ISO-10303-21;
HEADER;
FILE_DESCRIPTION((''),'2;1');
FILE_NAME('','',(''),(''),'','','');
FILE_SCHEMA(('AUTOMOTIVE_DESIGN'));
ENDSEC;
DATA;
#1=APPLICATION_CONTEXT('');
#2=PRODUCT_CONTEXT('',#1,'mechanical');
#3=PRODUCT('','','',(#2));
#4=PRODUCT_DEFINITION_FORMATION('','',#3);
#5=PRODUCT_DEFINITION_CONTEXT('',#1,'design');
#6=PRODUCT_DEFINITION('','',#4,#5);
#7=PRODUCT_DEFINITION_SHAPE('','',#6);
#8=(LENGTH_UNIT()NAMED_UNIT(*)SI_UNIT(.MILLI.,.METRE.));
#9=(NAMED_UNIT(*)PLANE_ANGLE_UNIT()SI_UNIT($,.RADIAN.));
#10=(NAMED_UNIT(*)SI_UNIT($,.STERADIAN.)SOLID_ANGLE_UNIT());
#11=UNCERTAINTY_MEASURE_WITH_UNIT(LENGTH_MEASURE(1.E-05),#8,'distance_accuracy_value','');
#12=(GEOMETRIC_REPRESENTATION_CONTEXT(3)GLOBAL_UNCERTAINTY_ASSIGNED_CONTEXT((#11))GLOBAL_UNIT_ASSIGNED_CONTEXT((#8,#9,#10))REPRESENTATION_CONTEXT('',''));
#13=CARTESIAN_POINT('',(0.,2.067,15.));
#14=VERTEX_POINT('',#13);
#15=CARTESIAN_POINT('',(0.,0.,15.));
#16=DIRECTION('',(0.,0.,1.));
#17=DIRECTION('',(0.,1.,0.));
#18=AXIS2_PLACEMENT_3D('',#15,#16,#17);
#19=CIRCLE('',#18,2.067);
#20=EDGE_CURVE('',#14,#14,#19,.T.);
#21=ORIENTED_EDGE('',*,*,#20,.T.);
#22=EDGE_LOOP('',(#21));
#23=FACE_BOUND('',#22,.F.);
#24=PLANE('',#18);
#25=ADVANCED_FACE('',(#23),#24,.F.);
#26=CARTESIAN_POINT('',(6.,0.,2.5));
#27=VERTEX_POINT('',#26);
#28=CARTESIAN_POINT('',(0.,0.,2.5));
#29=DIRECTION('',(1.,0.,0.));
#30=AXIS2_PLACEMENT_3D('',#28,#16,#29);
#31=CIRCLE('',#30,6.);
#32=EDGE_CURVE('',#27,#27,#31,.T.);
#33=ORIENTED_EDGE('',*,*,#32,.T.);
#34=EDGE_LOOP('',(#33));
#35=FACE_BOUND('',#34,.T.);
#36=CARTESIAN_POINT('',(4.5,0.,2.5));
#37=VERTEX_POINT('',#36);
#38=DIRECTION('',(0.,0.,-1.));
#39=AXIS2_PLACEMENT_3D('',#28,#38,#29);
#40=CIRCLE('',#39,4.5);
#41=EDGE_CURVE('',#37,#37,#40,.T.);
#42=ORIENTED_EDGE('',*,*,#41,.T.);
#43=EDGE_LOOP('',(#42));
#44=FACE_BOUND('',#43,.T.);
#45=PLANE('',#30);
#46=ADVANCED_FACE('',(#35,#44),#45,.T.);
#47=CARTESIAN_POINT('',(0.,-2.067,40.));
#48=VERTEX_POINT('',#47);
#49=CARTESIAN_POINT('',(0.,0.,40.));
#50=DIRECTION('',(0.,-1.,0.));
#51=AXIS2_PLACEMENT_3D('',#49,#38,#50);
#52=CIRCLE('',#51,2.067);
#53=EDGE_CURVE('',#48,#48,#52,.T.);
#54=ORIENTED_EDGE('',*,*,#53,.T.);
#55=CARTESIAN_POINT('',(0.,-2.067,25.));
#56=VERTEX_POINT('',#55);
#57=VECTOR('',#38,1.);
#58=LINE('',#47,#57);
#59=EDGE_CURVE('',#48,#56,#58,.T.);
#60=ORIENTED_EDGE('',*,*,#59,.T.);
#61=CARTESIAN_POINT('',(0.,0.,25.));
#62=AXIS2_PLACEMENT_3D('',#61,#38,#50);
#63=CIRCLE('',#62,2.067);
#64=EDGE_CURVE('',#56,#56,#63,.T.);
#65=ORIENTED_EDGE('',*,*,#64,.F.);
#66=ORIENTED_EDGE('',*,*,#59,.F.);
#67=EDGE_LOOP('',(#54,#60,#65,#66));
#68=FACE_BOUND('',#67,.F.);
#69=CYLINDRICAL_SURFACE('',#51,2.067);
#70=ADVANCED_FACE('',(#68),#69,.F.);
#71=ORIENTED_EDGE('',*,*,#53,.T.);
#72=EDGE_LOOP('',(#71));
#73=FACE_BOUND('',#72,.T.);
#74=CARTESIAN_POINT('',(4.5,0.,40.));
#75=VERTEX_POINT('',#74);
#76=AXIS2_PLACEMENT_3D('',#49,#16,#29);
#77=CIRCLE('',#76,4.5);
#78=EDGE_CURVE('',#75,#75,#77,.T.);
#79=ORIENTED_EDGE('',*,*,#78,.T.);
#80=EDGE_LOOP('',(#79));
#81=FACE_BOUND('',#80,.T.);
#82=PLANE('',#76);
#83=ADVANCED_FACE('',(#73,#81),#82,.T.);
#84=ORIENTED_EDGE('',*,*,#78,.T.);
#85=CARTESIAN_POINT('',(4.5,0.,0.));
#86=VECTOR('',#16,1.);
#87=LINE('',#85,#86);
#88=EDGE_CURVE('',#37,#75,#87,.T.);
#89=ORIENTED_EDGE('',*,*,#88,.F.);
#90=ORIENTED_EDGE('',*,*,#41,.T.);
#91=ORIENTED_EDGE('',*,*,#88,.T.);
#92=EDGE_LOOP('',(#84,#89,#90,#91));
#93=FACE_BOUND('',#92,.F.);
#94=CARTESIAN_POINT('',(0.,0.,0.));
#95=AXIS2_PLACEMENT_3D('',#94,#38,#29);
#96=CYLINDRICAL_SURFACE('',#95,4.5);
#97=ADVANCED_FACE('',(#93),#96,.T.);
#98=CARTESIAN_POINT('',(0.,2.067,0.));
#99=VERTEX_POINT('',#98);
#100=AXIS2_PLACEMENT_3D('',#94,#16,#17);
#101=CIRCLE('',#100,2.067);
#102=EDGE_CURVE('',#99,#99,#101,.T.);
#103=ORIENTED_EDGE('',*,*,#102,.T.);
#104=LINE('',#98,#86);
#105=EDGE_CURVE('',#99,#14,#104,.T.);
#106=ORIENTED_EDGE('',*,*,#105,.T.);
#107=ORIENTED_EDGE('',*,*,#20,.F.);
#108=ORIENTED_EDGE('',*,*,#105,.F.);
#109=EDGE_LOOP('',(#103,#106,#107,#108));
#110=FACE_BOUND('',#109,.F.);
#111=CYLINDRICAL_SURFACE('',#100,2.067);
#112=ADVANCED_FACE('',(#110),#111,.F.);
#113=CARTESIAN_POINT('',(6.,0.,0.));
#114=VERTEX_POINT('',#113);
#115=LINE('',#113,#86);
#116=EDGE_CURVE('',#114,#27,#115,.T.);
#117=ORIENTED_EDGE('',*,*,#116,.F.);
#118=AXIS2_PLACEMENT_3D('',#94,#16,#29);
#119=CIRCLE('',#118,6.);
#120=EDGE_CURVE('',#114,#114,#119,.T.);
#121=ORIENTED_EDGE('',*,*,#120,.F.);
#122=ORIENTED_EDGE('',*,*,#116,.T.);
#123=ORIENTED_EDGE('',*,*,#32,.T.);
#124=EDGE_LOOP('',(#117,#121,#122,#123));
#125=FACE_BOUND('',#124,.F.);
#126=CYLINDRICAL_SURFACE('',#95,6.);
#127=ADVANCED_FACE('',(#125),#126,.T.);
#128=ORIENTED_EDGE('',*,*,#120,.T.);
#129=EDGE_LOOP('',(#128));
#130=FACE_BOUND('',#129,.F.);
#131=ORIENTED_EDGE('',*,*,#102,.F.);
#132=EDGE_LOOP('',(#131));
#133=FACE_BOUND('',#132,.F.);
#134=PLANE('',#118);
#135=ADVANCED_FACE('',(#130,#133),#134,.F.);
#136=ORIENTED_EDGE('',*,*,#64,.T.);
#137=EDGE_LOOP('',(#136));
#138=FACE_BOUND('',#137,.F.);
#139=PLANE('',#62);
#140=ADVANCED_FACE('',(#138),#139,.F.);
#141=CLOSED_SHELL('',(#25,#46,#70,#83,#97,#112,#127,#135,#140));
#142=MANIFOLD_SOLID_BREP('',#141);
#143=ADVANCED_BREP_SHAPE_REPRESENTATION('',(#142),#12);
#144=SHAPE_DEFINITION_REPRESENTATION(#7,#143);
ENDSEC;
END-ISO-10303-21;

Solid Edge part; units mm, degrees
sketch "Sketch1" plane through (0, 0, 0) normal (0, 0, 1) x (1, 0, 0)
  circle A0 centre (0, 0) radius 4.5
  dimension "D1" = 9
extrude "Protrusion1" add sketch "Sketch1" along normal blind 40
sketch "Sketch2" plane through (0, 0, 0) normal (0, 0, 1) x (1, 0, 0)
  circle A0 centre (0, 0) radius 6
  dimension "D1" = 12
extrude "Extrusionsausprägung_2" add sketch "Sketch2" along normal blind 2.5
hole "Bohrung_3" at (0, 0, 0) direction (0, 0, 1) diameter 4.134 depth 15
hole "Bohrung_4" at (0, 0, 40) direction (0, 0, -1) diameter 4.134 depth 15
properties part number "21" material "Aluminiumlegierung:3.0205, Al 99.0, EN-AW 1200"
